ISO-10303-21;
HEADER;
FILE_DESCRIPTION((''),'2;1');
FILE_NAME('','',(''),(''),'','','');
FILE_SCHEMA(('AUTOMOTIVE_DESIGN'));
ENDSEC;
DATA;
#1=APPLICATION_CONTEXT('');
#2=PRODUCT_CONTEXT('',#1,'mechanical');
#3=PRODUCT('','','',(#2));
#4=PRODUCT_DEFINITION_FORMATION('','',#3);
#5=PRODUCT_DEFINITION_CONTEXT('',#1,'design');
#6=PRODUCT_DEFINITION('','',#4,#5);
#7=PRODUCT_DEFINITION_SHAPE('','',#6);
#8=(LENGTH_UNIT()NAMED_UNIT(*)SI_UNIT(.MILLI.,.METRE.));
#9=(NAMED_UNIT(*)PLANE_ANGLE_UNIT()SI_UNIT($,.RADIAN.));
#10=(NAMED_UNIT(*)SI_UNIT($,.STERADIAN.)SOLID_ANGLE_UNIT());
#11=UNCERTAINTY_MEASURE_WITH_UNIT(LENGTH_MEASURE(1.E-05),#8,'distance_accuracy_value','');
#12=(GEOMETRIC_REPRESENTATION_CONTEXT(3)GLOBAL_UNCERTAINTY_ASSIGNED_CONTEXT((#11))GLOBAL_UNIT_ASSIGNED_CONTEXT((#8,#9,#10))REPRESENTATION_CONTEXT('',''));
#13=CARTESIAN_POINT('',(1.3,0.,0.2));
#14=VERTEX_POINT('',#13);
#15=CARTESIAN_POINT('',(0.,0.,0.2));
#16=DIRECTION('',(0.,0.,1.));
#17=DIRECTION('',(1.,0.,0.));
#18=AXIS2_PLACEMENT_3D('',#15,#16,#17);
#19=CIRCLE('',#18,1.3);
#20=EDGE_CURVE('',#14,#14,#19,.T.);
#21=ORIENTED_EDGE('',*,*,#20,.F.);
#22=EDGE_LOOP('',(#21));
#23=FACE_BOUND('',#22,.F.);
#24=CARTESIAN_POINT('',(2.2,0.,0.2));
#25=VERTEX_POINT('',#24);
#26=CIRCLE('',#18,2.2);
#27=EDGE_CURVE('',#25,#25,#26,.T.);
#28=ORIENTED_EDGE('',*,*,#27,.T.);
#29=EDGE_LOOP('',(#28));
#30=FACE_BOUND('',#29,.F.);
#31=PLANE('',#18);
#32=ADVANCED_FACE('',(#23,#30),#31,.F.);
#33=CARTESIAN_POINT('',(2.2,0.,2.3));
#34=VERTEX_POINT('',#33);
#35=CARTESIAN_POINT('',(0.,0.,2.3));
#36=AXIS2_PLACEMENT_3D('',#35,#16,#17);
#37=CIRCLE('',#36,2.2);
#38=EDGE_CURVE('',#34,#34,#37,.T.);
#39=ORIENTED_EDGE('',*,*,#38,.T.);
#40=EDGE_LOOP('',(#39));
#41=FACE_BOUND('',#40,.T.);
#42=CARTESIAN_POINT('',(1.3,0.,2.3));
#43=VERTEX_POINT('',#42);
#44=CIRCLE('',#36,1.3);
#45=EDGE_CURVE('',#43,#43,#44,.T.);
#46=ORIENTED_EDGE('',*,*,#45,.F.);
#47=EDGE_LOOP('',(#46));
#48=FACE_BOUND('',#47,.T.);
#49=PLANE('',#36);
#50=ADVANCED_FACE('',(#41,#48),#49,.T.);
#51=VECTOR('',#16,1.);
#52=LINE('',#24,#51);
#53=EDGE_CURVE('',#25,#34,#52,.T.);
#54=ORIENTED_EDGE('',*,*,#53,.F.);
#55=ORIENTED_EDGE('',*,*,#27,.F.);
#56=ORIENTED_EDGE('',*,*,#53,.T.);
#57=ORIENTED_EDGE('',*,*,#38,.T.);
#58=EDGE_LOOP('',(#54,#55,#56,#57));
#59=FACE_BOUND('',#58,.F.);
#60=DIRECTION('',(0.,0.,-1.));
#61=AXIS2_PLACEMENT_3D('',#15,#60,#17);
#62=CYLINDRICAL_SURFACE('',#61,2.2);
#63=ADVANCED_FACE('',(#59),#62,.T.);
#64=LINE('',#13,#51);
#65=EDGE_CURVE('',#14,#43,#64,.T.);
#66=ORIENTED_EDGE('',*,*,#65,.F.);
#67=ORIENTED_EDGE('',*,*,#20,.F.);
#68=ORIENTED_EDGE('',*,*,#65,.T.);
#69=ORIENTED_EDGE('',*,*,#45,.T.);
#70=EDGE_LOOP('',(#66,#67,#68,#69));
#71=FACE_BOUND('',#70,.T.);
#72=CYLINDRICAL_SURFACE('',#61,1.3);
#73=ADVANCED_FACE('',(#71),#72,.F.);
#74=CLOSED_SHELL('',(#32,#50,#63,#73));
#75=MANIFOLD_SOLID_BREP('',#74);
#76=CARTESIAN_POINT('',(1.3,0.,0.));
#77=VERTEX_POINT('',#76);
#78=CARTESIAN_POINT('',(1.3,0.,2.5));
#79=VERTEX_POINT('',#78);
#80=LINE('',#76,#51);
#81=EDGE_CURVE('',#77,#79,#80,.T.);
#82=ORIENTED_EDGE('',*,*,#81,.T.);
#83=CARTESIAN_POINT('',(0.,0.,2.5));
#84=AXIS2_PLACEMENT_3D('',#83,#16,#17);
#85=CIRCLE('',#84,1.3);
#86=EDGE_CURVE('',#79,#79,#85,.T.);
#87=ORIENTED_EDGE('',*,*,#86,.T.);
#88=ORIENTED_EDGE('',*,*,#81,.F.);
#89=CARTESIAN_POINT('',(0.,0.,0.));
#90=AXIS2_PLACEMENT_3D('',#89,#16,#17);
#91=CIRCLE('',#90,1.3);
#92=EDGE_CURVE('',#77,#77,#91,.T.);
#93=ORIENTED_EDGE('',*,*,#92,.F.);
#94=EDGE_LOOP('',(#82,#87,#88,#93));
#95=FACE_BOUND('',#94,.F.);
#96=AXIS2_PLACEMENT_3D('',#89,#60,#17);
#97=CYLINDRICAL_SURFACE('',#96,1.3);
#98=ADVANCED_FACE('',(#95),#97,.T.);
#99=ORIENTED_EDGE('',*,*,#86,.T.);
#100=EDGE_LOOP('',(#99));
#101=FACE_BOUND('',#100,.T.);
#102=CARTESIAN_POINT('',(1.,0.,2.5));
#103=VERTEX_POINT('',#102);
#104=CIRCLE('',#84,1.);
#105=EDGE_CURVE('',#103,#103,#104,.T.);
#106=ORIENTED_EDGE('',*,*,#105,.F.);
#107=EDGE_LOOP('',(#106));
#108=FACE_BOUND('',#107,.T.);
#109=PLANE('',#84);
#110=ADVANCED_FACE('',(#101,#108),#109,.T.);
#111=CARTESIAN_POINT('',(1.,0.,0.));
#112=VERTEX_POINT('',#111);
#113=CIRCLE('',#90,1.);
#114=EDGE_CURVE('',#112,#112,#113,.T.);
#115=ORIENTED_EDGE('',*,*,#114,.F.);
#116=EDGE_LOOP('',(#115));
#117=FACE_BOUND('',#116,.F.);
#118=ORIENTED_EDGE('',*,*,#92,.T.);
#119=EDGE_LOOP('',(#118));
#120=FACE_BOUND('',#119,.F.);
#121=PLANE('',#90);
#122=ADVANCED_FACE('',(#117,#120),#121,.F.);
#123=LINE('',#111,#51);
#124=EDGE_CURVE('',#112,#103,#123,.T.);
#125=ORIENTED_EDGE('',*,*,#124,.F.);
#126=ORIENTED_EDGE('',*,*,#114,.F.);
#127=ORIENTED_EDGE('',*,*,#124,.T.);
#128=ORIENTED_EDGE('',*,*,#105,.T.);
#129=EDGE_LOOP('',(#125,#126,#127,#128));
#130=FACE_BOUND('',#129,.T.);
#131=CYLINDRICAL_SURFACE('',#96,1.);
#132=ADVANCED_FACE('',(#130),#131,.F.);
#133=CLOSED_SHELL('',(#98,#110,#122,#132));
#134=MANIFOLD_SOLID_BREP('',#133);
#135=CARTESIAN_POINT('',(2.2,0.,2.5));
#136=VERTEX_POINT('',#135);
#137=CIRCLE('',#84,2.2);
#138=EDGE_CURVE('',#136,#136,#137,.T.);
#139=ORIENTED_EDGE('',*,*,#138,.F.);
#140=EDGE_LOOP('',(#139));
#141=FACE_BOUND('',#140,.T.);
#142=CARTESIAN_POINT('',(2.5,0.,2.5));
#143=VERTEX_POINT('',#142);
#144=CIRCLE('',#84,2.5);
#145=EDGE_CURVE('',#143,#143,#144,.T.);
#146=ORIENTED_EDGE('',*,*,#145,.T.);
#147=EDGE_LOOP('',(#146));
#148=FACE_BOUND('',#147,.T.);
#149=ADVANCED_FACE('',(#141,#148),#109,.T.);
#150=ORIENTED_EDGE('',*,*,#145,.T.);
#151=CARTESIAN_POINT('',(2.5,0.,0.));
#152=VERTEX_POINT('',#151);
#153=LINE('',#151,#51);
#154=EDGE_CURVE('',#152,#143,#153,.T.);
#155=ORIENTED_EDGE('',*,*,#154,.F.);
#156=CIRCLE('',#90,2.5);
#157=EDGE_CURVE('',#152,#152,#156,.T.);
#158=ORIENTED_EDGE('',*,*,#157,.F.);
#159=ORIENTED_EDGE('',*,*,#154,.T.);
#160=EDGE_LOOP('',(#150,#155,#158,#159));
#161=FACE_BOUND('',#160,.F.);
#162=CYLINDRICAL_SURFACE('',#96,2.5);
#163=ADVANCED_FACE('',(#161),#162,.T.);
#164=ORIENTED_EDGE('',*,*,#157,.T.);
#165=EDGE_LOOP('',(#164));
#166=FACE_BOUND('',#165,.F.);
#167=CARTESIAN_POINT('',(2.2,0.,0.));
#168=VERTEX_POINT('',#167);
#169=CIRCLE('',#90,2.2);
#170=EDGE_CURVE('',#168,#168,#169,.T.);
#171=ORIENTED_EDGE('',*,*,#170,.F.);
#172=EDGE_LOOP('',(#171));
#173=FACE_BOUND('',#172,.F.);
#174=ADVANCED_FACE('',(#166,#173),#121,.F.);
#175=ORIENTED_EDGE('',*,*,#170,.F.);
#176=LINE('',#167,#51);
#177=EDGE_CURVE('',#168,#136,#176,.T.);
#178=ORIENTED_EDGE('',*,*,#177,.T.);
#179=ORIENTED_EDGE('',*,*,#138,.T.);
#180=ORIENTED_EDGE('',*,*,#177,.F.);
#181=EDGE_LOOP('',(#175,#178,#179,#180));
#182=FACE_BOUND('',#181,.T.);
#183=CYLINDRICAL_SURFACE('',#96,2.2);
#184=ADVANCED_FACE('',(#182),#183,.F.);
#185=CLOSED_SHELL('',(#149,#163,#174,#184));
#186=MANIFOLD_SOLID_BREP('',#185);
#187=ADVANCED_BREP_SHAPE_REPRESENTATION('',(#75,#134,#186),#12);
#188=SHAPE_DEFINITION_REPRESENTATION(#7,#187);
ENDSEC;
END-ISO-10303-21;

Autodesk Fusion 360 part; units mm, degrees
sketch "スケッチ1" plane through (0, 0, 0) normal (0, 0, 1) x (1, 0, 0)
  circle A0 centre (0, 0) radius 2.5
  circle A1 centre (0, 0) radius 2.2
  circle A2 centre (0, 0) radius 1.3
  circle A3 centre (0, 0) radius 1
  dimension "d1" = 5
  dimension "d2" = 2
  dimension "d3" = 2.6
  dimension "d4" = 4.4
extrude "押し出し1" add sketch "スケッチ1" along normal blind 2.5 contours A0 makes body 1
extrude "押し出し2" add sketch "スケッチ1" along normal blind 2.1 from surface at 0.2 separate body contours A1 makes body 2
extrude "押し出し1'" add sketch "スケッチ1" along normal blind 2.5 separate body contours A2 makes body 3 in component "Component"
component "Component" placed x (1, 0, 0) y (0, 1, 0) z (0, 0, 1) at (0, 0, 0)
